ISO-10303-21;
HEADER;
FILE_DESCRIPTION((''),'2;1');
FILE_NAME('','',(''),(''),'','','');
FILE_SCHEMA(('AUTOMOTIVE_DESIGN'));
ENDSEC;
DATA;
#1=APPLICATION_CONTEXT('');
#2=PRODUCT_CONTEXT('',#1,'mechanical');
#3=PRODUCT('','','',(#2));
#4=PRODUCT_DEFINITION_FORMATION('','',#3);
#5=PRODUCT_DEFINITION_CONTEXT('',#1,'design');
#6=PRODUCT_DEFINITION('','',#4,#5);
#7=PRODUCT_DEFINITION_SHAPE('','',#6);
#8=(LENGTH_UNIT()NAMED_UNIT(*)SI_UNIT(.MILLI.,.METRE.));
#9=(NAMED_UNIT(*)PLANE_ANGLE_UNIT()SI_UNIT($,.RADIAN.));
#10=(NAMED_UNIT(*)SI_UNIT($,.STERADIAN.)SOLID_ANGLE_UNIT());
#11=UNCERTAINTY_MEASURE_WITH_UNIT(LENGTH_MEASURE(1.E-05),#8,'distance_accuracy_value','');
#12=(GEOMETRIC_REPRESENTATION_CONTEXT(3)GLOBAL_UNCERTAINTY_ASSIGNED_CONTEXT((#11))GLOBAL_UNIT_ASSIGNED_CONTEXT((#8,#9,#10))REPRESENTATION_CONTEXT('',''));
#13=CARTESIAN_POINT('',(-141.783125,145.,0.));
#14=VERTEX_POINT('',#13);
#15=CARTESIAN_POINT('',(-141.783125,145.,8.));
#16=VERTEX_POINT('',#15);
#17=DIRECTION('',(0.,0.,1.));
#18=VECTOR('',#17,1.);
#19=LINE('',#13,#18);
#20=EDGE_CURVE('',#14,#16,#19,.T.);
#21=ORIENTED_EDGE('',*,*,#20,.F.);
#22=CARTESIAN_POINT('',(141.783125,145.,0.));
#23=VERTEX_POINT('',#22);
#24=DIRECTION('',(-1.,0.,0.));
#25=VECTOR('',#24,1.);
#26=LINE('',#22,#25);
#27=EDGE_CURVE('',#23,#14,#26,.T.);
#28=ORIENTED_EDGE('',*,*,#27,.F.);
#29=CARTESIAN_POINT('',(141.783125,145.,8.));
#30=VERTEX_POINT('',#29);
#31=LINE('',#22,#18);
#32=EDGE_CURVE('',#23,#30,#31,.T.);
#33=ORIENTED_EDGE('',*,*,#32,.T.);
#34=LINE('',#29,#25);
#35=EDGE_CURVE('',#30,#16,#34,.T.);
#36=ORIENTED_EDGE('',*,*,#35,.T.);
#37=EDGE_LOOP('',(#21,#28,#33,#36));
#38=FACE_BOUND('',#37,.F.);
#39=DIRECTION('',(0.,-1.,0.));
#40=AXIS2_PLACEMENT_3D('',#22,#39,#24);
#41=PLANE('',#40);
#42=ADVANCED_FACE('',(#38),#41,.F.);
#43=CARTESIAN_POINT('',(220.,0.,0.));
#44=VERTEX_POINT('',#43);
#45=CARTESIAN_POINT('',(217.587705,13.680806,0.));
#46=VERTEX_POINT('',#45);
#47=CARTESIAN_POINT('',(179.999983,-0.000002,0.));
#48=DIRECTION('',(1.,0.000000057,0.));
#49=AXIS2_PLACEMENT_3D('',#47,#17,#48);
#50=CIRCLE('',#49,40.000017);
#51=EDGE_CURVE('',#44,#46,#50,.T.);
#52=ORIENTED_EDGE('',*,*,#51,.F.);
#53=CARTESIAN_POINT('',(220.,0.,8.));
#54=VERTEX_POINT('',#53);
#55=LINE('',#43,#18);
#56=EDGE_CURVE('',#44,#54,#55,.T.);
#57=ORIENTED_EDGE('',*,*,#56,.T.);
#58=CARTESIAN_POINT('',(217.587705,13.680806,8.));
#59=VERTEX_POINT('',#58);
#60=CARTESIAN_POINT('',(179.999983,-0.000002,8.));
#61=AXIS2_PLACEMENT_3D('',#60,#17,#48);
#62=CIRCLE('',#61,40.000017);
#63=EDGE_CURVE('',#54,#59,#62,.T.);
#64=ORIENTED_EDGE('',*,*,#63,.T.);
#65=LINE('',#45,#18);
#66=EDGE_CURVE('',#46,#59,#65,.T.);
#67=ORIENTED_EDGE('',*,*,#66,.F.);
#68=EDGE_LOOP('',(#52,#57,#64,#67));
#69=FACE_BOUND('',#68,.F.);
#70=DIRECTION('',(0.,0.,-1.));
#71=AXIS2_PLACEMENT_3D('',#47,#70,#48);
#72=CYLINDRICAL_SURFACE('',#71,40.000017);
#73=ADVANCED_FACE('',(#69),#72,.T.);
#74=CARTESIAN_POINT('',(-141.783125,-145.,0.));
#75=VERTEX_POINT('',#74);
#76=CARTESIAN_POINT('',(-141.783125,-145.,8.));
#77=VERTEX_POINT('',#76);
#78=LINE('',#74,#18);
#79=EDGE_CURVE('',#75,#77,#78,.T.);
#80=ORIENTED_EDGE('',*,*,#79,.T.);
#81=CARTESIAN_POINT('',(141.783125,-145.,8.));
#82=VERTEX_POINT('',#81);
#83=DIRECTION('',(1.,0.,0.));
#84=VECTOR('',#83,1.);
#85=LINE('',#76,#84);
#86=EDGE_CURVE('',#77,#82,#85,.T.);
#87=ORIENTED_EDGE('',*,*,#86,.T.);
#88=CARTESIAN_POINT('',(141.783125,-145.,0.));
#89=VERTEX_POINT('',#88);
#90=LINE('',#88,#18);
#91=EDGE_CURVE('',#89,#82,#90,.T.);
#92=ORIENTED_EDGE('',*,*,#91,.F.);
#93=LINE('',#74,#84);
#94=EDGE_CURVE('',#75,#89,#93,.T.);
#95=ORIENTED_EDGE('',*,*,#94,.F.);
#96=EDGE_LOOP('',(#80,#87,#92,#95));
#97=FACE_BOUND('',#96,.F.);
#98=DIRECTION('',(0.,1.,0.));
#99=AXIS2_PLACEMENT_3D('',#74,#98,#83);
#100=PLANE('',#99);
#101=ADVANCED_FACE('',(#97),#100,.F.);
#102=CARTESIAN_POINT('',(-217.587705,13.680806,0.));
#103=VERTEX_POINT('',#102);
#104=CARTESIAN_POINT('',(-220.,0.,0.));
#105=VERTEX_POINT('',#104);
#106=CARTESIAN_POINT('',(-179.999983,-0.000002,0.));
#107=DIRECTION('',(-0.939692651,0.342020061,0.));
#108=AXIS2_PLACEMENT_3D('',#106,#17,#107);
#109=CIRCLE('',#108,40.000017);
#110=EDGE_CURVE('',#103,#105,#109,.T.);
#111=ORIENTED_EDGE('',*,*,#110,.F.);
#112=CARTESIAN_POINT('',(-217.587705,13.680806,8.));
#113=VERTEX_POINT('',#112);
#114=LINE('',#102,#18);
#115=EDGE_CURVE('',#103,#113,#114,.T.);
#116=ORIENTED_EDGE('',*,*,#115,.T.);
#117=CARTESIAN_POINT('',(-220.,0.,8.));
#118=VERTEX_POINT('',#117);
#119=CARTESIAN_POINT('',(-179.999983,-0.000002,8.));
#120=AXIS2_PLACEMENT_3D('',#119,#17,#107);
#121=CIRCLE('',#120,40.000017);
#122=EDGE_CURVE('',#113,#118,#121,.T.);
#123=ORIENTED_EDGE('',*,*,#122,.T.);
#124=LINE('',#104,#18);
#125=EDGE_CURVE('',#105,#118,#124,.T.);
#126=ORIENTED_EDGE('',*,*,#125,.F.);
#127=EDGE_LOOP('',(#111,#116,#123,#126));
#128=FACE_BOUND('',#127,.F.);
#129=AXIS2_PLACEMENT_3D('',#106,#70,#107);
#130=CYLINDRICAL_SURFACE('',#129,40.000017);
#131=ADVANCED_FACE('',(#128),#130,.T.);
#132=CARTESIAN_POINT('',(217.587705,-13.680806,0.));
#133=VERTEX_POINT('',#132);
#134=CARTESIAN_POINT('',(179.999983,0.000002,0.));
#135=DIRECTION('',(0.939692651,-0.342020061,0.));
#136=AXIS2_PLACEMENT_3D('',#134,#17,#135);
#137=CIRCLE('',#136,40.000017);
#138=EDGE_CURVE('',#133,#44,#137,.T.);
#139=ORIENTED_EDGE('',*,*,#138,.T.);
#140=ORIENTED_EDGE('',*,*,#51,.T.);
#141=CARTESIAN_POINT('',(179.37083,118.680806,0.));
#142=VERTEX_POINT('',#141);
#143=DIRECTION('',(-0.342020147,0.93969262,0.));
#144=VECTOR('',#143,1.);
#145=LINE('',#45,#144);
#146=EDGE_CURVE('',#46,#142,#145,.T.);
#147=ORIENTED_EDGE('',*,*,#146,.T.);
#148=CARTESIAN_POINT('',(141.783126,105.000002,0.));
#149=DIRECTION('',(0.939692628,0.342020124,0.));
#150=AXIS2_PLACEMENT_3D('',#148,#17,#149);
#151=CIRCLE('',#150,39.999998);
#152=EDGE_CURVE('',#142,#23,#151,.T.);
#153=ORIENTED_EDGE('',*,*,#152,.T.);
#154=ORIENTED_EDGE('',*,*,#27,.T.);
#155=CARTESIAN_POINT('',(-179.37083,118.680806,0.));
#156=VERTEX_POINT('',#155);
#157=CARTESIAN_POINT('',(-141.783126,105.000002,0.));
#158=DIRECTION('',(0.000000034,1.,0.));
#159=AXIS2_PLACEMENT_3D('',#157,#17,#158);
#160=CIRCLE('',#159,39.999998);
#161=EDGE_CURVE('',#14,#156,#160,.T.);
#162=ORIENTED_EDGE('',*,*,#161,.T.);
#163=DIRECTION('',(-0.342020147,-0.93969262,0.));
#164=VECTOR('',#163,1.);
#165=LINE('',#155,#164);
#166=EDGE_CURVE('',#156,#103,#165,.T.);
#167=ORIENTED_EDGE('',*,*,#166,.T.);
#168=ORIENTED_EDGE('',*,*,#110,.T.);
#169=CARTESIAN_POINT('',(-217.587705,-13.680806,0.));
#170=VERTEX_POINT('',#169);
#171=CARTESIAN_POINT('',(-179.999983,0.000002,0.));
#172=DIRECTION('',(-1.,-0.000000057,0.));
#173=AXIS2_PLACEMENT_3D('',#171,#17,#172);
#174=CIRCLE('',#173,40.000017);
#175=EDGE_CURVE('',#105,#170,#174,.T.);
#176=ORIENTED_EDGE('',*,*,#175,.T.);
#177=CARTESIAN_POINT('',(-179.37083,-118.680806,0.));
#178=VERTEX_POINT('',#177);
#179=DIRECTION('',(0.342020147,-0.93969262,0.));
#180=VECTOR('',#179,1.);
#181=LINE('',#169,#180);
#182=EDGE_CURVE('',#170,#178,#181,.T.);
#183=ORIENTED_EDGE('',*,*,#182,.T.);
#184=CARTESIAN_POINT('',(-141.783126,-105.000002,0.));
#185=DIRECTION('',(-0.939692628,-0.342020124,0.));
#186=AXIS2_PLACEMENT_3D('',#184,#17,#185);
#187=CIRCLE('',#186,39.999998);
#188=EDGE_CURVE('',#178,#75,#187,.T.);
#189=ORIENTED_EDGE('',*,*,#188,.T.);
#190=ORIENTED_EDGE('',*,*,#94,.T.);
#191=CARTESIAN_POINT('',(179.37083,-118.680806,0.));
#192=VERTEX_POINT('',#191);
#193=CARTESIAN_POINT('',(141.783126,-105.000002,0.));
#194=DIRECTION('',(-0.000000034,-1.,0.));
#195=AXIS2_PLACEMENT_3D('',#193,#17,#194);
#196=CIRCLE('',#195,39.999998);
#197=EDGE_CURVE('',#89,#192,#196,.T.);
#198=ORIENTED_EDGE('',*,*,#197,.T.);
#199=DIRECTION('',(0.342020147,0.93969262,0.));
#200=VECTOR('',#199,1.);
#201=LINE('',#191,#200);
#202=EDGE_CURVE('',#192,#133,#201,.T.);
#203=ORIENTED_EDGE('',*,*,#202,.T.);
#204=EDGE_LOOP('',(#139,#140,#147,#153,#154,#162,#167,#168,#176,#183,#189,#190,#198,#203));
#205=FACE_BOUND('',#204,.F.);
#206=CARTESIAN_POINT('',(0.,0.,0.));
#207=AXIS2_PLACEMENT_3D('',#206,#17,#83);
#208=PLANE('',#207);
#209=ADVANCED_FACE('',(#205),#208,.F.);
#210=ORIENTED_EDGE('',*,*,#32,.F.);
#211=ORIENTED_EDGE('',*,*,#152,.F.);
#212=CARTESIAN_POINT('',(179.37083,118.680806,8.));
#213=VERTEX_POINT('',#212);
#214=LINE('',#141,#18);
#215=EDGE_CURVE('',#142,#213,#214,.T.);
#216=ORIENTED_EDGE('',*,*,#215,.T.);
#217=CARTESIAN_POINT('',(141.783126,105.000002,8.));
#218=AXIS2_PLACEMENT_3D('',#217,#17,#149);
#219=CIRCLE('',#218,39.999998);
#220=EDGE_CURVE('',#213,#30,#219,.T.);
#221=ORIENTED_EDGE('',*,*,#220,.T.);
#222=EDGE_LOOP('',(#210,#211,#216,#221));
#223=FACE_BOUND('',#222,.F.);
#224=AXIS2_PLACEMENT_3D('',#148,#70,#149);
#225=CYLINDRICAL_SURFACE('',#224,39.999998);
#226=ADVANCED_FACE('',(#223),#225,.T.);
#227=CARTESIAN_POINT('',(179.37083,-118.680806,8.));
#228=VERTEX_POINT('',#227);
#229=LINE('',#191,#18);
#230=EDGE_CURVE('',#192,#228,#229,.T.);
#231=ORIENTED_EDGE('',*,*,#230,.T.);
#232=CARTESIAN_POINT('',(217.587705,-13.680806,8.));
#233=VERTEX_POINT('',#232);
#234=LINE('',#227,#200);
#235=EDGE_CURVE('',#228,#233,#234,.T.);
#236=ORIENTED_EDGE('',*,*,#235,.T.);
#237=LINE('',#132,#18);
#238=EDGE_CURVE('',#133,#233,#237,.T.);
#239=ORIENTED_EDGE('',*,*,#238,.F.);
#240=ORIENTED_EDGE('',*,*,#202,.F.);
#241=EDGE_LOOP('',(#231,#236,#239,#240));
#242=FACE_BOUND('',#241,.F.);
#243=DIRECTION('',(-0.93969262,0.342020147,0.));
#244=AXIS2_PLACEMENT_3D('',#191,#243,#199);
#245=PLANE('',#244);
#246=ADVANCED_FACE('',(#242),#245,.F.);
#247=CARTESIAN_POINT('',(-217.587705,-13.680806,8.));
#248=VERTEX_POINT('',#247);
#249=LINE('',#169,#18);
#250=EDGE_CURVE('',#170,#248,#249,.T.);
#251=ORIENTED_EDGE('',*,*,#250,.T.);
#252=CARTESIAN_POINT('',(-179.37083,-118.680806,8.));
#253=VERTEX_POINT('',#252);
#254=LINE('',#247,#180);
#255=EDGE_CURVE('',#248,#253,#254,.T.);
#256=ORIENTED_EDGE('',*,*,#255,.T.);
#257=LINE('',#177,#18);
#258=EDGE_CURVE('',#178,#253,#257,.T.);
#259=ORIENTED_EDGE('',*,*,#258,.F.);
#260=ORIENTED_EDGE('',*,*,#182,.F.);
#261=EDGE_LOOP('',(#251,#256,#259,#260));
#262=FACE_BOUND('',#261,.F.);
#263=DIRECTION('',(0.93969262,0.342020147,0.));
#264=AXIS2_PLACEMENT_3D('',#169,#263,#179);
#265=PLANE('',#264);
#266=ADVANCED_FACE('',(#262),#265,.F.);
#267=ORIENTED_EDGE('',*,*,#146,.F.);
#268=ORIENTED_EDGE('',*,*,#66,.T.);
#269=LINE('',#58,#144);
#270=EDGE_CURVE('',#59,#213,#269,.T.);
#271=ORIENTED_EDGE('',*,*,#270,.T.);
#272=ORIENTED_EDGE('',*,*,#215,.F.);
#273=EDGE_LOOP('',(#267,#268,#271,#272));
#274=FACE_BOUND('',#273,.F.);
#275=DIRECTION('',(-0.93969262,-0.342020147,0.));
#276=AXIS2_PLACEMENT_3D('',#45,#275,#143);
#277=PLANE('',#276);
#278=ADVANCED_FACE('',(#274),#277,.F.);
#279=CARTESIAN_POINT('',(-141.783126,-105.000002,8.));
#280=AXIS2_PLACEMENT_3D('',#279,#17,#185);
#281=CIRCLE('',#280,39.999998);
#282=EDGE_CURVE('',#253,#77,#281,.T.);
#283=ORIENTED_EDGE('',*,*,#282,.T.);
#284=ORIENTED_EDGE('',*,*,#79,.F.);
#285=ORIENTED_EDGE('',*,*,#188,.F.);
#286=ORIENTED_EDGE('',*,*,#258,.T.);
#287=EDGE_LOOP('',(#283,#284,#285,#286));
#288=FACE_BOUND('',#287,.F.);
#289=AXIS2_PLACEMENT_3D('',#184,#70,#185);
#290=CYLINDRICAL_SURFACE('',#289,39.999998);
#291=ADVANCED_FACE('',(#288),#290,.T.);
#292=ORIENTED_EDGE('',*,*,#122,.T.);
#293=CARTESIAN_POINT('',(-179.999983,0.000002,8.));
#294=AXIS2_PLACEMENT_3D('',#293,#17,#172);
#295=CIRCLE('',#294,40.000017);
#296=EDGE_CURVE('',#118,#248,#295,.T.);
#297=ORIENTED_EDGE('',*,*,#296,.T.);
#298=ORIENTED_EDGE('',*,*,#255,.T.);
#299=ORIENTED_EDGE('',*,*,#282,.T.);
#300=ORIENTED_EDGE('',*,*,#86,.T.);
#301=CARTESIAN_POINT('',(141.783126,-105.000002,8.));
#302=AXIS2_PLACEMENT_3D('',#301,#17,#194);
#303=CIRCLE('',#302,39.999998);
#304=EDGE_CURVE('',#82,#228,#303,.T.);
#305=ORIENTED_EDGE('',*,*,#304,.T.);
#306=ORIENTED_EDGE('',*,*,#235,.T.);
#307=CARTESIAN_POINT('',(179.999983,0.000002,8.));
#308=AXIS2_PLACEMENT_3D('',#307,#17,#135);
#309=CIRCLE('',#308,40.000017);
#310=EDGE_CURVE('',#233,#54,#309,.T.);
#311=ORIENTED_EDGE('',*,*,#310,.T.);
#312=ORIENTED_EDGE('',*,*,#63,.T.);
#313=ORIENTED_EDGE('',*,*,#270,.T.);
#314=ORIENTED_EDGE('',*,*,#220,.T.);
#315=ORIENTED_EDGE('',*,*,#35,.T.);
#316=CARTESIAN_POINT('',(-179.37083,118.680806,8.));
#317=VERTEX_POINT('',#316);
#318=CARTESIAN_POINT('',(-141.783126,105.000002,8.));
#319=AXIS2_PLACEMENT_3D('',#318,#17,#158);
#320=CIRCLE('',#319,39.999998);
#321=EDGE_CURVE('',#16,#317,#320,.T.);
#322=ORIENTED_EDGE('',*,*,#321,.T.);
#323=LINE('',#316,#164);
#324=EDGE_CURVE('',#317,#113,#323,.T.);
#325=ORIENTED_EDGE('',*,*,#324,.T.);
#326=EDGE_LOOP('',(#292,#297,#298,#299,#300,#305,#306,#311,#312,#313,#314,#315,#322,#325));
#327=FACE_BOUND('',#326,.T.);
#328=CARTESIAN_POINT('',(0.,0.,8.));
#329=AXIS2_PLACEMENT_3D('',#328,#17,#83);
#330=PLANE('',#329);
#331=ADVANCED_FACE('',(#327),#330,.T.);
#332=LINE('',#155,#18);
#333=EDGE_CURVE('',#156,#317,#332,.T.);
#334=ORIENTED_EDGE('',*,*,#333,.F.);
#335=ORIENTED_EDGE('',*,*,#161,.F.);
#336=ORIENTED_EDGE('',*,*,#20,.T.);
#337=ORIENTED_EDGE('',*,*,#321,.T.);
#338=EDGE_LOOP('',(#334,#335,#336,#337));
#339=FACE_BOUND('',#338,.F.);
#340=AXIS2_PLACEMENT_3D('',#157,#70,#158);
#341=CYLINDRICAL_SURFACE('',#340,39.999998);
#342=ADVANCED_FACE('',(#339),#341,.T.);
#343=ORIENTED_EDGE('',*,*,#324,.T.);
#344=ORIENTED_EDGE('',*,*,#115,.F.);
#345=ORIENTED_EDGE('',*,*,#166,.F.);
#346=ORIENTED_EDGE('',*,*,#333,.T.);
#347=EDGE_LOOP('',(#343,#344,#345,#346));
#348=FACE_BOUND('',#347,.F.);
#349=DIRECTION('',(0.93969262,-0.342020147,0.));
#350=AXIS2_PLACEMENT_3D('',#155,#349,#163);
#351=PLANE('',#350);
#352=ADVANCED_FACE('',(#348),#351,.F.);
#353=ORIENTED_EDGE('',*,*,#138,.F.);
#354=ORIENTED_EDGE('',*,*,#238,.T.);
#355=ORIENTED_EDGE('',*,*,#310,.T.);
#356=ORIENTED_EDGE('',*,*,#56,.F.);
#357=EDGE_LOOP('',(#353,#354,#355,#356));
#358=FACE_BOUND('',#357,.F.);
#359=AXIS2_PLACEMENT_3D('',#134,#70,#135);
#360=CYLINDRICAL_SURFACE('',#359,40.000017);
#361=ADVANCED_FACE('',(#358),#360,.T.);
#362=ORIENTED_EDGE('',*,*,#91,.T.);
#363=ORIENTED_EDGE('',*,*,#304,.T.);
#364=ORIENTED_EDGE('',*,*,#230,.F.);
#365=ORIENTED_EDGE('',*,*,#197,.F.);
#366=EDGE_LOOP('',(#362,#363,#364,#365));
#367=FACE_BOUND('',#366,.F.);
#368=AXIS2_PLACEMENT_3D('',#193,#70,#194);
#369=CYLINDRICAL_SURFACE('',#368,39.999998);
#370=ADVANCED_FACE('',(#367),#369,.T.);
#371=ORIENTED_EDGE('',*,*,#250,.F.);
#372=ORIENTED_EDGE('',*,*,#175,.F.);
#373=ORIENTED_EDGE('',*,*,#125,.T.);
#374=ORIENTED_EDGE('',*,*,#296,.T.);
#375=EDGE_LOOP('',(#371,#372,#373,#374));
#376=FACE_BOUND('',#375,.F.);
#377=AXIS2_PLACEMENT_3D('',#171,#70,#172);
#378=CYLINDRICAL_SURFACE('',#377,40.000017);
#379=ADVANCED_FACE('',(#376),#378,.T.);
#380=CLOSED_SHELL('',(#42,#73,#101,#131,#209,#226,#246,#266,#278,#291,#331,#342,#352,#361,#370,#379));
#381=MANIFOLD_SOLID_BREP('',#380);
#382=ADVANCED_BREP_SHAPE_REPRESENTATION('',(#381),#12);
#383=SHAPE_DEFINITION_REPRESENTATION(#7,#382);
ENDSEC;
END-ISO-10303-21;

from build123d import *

# Parameters (mm, degrees)
F1_DEPTH = 8


with BuildPart() as f1:
    # F0 (on Top) → F1 (new body)
    with BuildSketch(Plane.XY):
        with BuildLine():
            Line((-179.37083, 118.680806), (-217.587705, 13.680806))
            ThreePointArc((-217.587705, 13.680806), (-219.39231, 6.945927), (-220, 0))
            ThreePointArc((-220, 0), (-219.39231, -6.945927), (-217.587705, -13.680806))
            Line((-217.587705, -13.680806), (-179.37083, -118.680806))
            ThreePointArc((-179.37083, -118.680806), (-164.726183, -137.766082), (-141.783125, -145))
            Line((-141.783125, -145), (0, -145))
            Line((0, -145), (141.783125, -145))
            ThreePointArc((141.783125, -145), (164.726183, -137.766082), (179.37083, -118.680806))
            Line((179.37083, -118.680806), (217.587705, -13.680806))
            ThreePointArc((217.587705, -13.680806), (219.39231, -6.945927), (220, 0))
            ThreePointArc((220, 0), (219.39231, 6.945927), (217.587705, 13.680806))
            Line((217.587705, 13.680806), (179.37083, 118.680806))
            ThreePointArc((179.37083, 118.680806), (164.726183, 137.766082), (141.783125, 145))
            Line((141.783125, 145), (0, 145))
            Line((0, 145), (-141.783125, 145))
            ThreePointArc((-141.783125, 145), (-164.726183, 137.766082), (-179.37083, 118.680806))
        make_face()
    extrude(amount=F1_DEPTH)


solid = f1.part
